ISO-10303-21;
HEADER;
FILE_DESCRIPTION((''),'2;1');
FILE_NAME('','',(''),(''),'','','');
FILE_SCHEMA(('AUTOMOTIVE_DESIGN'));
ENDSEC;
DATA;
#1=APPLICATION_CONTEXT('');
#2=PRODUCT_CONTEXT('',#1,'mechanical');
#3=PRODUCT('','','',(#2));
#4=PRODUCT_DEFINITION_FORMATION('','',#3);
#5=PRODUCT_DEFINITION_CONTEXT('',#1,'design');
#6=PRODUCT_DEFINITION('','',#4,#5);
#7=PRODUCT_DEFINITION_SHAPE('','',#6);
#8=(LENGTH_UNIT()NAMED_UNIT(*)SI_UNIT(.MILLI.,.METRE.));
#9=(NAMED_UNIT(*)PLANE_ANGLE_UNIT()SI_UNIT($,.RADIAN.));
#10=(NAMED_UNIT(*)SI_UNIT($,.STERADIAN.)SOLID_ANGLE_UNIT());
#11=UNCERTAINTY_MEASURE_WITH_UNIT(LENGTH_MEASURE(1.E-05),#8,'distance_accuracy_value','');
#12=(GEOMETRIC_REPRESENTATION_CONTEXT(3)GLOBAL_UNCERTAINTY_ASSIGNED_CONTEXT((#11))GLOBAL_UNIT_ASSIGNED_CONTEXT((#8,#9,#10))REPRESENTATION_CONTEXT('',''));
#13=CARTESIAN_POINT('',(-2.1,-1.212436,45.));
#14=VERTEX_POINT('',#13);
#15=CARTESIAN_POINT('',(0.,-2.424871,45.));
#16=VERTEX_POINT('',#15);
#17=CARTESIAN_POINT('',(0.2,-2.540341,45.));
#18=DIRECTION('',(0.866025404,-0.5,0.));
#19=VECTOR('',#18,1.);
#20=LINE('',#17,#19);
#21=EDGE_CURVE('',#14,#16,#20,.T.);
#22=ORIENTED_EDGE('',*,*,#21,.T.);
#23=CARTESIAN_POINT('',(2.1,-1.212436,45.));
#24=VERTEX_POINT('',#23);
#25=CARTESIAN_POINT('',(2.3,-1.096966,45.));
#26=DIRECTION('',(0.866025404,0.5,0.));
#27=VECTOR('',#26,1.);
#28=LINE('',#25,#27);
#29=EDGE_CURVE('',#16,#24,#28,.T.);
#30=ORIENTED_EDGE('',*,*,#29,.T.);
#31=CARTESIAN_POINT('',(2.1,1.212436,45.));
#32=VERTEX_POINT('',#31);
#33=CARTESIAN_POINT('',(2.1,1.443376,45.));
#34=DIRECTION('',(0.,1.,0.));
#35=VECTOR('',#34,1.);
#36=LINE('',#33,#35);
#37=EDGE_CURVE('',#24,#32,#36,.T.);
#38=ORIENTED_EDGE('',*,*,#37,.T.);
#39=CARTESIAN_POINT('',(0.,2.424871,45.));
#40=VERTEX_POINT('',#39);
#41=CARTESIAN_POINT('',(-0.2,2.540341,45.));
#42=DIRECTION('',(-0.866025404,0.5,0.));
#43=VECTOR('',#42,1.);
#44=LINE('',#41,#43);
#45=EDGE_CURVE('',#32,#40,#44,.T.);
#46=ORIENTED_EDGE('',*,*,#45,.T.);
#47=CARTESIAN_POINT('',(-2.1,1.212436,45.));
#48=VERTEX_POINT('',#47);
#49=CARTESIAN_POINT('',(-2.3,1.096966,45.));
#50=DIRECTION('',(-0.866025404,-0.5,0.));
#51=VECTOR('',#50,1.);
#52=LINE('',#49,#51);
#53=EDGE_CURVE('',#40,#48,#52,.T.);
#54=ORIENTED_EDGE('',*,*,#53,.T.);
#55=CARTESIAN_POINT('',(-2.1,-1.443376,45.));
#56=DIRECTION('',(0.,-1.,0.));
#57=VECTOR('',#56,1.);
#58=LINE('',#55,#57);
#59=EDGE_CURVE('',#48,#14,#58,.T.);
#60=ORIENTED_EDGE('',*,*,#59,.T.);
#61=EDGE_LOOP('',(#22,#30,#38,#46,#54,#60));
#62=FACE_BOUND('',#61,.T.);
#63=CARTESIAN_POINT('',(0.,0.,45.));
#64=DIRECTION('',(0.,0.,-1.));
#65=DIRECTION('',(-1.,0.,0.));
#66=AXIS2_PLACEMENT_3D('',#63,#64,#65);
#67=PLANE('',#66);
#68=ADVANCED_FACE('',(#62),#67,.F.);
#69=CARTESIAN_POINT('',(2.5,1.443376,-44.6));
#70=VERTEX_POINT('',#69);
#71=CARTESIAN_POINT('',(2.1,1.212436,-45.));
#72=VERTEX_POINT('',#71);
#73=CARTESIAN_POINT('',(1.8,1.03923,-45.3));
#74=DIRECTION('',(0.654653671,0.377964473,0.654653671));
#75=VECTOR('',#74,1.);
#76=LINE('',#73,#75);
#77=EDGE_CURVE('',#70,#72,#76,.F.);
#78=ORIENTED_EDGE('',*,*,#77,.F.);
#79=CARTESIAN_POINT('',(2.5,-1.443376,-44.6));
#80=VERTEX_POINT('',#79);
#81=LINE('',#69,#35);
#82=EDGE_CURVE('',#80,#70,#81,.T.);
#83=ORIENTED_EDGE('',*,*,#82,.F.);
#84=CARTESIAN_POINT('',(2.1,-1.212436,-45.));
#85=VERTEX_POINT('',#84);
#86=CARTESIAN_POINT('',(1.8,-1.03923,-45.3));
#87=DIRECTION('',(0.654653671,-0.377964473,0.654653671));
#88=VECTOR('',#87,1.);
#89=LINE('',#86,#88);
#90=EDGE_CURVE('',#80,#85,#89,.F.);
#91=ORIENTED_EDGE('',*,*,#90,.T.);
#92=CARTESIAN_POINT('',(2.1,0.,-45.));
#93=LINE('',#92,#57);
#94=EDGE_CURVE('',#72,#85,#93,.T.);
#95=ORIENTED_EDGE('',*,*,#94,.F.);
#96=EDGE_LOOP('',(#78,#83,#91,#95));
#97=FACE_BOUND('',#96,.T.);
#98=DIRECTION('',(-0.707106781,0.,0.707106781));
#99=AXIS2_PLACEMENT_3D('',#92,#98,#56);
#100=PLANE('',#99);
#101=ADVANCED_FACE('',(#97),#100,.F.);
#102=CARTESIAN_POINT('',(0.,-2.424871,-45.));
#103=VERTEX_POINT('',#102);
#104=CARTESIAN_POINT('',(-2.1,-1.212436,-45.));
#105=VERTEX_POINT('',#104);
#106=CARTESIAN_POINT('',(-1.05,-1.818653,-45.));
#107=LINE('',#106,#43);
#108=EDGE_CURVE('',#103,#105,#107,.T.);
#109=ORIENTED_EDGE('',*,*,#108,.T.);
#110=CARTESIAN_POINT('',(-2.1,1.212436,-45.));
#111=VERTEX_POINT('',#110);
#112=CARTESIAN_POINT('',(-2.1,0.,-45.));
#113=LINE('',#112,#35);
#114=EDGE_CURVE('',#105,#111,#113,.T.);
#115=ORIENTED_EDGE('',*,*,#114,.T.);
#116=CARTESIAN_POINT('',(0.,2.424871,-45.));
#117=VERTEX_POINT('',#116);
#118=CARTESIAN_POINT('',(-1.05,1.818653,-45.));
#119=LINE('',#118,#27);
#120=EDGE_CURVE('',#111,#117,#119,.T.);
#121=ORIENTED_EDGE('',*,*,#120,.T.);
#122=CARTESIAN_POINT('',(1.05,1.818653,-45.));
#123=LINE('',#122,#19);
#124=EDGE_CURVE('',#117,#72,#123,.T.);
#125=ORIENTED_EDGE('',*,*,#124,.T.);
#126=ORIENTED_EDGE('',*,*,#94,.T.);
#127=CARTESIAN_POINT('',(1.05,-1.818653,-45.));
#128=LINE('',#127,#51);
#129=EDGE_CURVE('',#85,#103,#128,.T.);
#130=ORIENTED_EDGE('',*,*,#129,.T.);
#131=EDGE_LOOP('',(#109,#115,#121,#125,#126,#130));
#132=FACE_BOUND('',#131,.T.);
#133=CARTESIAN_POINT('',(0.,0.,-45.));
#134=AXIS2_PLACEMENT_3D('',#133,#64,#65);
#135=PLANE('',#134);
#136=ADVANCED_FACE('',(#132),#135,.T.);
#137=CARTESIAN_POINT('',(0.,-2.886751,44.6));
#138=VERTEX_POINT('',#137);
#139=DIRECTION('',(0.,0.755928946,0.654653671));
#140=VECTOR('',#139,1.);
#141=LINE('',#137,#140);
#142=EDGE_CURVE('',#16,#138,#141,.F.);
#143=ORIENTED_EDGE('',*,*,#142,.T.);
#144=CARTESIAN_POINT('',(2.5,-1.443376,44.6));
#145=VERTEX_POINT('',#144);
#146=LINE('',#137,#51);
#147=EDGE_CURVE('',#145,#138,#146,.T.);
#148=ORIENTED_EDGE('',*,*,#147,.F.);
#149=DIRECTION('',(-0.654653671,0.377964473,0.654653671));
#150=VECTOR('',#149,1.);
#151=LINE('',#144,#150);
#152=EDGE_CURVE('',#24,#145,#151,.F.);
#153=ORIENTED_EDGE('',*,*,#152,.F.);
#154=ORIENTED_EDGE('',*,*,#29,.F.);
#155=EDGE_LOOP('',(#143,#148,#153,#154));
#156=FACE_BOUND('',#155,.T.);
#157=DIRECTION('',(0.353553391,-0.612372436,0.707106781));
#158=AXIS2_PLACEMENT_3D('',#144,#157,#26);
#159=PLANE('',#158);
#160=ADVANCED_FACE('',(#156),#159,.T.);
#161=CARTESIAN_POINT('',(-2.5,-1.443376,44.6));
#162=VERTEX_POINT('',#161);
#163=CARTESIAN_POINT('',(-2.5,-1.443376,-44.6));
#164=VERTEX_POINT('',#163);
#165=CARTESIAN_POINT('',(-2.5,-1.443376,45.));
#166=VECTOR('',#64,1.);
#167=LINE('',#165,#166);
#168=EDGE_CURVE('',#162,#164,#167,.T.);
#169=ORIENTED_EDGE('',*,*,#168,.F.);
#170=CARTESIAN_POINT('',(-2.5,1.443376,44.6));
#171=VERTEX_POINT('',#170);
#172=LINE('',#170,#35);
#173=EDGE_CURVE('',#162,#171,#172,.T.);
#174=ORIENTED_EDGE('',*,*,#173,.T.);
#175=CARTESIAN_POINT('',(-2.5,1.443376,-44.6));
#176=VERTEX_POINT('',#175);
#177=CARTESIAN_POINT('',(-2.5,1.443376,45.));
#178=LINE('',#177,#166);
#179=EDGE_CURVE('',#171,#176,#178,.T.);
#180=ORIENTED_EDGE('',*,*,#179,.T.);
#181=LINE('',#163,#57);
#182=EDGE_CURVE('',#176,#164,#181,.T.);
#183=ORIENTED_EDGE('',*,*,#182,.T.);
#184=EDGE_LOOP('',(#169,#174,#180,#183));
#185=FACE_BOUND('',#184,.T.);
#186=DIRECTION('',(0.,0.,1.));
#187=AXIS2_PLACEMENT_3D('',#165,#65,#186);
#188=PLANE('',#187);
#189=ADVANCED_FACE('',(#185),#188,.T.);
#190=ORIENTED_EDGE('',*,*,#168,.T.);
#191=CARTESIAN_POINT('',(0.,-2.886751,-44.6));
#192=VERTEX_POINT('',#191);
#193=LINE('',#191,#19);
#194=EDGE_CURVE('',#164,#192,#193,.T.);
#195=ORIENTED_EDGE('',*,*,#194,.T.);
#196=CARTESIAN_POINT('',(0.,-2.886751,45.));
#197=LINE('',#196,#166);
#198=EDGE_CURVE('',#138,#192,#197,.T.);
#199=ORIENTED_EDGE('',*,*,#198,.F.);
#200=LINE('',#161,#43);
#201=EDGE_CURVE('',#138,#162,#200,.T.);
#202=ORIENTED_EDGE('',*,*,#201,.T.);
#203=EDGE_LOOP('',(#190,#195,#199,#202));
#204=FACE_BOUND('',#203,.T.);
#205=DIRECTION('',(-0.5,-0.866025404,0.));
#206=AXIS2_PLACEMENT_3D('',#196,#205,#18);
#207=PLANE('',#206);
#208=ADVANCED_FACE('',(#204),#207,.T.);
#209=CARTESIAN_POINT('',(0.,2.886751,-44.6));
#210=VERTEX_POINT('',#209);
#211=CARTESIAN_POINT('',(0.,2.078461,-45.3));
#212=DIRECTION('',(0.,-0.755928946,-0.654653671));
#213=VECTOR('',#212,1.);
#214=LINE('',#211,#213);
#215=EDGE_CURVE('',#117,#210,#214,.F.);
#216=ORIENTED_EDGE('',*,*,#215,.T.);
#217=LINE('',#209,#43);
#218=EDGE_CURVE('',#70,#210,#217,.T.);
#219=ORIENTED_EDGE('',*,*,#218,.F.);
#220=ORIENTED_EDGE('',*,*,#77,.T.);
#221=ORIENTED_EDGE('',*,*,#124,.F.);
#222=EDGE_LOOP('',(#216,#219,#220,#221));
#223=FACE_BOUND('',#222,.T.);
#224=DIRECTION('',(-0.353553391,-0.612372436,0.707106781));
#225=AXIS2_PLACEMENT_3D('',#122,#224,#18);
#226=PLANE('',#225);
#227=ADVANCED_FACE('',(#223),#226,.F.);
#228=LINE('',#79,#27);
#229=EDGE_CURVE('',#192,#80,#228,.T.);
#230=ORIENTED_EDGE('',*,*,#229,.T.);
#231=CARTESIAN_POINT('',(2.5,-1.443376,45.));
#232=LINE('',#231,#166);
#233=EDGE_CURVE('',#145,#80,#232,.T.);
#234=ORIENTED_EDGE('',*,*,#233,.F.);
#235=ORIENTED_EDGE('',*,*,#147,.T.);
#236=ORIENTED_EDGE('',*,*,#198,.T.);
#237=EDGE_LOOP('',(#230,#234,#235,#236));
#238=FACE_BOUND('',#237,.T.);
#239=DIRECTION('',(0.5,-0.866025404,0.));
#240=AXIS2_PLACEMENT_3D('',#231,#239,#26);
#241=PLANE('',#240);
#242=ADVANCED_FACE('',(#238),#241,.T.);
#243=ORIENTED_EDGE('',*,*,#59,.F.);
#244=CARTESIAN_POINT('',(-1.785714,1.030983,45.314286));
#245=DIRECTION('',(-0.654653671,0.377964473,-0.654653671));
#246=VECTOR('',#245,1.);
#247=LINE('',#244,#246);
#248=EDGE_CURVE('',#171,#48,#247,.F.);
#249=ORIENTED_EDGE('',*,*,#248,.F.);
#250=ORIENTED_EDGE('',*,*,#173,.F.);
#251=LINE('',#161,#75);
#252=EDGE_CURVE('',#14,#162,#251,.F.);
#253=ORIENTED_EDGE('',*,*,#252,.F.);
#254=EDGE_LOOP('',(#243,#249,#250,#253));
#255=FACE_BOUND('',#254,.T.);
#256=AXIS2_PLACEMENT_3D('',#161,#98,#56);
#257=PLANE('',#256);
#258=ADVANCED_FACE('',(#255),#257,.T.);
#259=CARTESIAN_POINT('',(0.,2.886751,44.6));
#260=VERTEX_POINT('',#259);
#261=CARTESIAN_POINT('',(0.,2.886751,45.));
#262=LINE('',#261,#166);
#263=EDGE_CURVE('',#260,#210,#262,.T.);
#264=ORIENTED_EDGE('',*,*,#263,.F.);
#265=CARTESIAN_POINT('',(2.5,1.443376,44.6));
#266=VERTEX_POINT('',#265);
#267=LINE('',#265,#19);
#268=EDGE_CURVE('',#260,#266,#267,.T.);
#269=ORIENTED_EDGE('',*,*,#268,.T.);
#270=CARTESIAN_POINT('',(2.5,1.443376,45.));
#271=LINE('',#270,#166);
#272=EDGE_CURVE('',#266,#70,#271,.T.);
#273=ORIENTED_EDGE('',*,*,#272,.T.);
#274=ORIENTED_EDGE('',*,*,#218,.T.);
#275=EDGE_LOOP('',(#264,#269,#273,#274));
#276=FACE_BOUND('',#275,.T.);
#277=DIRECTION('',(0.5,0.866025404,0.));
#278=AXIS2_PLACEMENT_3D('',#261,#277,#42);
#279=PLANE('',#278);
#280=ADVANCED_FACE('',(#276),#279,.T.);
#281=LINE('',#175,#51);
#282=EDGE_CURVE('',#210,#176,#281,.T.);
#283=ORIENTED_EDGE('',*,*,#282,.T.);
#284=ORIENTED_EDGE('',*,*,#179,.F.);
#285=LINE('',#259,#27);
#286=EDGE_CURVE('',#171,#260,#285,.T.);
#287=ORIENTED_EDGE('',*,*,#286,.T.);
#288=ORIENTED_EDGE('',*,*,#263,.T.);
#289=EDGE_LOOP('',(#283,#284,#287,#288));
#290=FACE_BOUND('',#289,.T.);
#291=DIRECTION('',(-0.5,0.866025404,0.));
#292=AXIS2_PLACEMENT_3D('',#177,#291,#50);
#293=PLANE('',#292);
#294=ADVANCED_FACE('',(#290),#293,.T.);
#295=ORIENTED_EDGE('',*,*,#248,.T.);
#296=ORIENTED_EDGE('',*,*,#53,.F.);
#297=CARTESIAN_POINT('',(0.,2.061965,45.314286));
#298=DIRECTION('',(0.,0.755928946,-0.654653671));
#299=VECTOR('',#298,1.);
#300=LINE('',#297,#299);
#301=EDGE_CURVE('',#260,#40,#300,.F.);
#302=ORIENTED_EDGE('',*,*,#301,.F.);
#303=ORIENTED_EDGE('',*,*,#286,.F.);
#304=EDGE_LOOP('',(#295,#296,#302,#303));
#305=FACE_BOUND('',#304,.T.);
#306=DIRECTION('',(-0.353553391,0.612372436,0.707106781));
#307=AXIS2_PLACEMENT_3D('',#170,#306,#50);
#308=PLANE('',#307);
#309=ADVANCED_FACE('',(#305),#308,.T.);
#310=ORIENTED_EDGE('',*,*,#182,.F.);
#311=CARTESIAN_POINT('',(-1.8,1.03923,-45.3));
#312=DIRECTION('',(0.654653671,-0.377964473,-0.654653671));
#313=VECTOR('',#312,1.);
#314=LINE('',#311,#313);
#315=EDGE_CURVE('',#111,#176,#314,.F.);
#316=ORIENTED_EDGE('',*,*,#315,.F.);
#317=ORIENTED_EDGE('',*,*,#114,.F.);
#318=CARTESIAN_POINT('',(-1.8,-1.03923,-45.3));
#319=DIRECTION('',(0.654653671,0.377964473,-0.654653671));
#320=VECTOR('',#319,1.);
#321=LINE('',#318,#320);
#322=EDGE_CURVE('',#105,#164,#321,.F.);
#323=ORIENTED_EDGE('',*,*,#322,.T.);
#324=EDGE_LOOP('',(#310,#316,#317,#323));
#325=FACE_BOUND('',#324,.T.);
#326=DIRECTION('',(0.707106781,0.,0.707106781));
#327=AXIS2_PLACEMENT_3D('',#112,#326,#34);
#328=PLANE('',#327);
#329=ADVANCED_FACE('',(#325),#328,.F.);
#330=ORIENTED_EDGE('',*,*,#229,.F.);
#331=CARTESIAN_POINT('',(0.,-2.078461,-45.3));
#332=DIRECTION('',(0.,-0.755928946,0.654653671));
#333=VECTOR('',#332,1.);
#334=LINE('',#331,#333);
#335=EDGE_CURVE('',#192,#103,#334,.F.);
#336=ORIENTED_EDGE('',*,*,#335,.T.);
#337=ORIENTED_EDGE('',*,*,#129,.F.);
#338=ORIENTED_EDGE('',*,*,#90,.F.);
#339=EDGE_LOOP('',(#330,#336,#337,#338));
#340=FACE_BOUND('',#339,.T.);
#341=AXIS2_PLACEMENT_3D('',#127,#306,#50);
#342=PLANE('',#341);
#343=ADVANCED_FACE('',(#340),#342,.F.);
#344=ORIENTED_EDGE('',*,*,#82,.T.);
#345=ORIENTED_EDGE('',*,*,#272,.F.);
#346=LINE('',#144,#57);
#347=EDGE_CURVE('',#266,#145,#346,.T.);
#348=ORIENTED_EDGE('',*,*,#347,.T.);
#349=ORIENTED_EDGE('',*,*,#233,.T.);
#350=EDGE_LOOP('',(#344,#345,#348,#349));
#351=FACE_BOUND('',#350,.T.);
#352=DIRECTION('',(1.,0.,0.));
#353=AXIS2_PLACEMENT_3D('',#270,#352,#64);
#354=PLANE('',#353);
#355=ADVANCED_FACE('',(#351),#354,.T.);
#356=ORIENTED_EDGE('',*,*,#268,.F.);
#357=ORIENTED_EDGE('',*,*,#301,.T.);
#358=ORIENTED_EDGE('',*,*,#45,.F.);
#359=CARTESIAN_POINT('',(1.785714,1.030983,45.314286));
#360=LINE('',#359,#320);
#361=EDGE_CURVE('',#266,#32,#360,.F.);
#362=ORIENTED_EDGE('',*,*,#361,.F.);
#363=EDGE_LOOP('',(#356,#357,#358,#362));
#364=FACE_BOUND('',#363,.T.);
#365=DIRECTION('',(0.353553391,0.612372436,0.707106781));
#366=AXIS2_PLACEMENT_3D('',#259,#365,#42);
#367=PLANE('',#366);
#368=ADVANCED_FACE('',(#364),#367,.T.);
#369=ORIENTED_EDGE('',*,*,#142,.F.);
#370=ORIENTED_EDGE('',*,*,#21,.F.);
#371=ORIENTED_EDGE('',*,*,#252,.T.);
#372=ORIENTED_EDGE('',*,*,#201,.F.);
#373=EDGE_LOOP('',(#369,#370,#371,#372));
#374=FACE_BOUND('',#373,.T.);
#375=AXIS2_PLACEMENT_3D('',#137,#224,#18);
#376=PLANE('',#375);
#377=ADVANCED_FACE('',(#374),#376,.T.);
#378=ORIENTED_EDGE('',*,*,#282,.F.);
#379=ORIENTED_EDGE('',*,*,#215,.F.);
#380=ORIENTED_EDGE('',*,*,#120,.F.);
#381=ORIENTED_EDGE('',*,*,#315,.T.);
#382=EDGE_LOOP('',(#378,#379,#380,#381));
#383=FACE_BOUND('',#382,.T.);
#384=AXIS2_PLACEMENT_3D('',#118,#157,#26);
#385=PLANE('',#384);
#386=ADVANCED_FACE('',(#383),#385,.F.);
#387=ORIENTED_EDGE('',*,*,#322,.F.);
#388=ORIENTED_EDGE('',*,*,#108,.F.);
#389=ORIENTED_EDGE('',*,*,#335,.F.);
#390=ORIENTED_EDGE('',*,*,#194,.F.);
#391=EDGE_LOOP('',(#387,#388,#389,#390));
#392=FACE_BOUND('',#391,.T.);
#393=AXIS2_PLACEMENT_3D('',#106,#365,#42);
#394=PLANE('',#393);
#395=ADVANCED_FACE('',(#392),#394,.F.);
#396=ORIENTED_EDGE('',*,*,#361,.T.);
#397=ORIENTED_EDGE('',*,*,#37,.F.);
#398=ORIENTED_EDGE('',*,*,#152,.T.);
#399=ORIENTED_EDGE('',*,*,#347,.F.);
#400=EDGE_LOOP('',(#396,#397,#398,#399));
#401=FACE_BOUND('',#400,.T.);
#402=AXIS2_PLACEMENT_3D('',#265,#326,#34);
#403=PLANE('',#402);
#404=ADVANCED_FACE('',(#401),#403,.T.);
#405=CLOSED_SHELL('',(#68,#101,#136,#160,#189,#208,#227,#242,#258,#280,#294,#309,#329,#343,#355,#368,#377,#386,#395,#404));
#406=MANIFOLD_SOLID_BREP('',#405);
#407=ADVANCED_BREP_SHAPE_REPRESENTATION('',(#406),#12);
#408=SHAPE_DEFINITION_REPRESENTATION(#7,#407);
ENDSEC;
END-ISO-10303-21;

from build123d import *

# Parameters (mm, degrees)
BOSS_EXTRUDE1_DEPTH = 90
CHAMFER1_SIZE       = 0.4


with BuildPart() as part:
    # Sketch1 → Boss-Extrude1 (new body)
    with BuildSketch(Plane(origin=(0, 0, -45), x_dir=(-1, 0, 0), z_dir=(0, 0, -1))):
        Polygon((0, -2.886751346), (2.5, -1.443375673), (2.5, 1.443375673), (0, 2.886751346), (-2.5, 1.443375673), (-2.5, -1.443375673), align=None)
    extrude(amount=-BOSS_EXTRUDE1_DEPTH)

    # Chamfer1
    chamfer1_edges = [part.edges().sort_by_distance(p)[0] for p in [
        (-2.5, 0, 45),
        (-1.25, 2.165063509, 45),
        (1.25, 2.165063509, 45),
        (2.5, 0, 45),
        (1.25, -2.165063509, 45),
        (2.5, 0, -45),
        (1.25, 2.165063509, -45),
        (-1.25, 2.165063509, -45),
        (-1.25, -2.165063509, 45),
        (-2.5, 0, -45),
        (-1.25, -2.165063509, -45),
        (1.25, -2.165063509, -45),
    ]]
    chamfer(chamfer1_edges, length=CHAMFER1_SIZE)


solid = part.part
